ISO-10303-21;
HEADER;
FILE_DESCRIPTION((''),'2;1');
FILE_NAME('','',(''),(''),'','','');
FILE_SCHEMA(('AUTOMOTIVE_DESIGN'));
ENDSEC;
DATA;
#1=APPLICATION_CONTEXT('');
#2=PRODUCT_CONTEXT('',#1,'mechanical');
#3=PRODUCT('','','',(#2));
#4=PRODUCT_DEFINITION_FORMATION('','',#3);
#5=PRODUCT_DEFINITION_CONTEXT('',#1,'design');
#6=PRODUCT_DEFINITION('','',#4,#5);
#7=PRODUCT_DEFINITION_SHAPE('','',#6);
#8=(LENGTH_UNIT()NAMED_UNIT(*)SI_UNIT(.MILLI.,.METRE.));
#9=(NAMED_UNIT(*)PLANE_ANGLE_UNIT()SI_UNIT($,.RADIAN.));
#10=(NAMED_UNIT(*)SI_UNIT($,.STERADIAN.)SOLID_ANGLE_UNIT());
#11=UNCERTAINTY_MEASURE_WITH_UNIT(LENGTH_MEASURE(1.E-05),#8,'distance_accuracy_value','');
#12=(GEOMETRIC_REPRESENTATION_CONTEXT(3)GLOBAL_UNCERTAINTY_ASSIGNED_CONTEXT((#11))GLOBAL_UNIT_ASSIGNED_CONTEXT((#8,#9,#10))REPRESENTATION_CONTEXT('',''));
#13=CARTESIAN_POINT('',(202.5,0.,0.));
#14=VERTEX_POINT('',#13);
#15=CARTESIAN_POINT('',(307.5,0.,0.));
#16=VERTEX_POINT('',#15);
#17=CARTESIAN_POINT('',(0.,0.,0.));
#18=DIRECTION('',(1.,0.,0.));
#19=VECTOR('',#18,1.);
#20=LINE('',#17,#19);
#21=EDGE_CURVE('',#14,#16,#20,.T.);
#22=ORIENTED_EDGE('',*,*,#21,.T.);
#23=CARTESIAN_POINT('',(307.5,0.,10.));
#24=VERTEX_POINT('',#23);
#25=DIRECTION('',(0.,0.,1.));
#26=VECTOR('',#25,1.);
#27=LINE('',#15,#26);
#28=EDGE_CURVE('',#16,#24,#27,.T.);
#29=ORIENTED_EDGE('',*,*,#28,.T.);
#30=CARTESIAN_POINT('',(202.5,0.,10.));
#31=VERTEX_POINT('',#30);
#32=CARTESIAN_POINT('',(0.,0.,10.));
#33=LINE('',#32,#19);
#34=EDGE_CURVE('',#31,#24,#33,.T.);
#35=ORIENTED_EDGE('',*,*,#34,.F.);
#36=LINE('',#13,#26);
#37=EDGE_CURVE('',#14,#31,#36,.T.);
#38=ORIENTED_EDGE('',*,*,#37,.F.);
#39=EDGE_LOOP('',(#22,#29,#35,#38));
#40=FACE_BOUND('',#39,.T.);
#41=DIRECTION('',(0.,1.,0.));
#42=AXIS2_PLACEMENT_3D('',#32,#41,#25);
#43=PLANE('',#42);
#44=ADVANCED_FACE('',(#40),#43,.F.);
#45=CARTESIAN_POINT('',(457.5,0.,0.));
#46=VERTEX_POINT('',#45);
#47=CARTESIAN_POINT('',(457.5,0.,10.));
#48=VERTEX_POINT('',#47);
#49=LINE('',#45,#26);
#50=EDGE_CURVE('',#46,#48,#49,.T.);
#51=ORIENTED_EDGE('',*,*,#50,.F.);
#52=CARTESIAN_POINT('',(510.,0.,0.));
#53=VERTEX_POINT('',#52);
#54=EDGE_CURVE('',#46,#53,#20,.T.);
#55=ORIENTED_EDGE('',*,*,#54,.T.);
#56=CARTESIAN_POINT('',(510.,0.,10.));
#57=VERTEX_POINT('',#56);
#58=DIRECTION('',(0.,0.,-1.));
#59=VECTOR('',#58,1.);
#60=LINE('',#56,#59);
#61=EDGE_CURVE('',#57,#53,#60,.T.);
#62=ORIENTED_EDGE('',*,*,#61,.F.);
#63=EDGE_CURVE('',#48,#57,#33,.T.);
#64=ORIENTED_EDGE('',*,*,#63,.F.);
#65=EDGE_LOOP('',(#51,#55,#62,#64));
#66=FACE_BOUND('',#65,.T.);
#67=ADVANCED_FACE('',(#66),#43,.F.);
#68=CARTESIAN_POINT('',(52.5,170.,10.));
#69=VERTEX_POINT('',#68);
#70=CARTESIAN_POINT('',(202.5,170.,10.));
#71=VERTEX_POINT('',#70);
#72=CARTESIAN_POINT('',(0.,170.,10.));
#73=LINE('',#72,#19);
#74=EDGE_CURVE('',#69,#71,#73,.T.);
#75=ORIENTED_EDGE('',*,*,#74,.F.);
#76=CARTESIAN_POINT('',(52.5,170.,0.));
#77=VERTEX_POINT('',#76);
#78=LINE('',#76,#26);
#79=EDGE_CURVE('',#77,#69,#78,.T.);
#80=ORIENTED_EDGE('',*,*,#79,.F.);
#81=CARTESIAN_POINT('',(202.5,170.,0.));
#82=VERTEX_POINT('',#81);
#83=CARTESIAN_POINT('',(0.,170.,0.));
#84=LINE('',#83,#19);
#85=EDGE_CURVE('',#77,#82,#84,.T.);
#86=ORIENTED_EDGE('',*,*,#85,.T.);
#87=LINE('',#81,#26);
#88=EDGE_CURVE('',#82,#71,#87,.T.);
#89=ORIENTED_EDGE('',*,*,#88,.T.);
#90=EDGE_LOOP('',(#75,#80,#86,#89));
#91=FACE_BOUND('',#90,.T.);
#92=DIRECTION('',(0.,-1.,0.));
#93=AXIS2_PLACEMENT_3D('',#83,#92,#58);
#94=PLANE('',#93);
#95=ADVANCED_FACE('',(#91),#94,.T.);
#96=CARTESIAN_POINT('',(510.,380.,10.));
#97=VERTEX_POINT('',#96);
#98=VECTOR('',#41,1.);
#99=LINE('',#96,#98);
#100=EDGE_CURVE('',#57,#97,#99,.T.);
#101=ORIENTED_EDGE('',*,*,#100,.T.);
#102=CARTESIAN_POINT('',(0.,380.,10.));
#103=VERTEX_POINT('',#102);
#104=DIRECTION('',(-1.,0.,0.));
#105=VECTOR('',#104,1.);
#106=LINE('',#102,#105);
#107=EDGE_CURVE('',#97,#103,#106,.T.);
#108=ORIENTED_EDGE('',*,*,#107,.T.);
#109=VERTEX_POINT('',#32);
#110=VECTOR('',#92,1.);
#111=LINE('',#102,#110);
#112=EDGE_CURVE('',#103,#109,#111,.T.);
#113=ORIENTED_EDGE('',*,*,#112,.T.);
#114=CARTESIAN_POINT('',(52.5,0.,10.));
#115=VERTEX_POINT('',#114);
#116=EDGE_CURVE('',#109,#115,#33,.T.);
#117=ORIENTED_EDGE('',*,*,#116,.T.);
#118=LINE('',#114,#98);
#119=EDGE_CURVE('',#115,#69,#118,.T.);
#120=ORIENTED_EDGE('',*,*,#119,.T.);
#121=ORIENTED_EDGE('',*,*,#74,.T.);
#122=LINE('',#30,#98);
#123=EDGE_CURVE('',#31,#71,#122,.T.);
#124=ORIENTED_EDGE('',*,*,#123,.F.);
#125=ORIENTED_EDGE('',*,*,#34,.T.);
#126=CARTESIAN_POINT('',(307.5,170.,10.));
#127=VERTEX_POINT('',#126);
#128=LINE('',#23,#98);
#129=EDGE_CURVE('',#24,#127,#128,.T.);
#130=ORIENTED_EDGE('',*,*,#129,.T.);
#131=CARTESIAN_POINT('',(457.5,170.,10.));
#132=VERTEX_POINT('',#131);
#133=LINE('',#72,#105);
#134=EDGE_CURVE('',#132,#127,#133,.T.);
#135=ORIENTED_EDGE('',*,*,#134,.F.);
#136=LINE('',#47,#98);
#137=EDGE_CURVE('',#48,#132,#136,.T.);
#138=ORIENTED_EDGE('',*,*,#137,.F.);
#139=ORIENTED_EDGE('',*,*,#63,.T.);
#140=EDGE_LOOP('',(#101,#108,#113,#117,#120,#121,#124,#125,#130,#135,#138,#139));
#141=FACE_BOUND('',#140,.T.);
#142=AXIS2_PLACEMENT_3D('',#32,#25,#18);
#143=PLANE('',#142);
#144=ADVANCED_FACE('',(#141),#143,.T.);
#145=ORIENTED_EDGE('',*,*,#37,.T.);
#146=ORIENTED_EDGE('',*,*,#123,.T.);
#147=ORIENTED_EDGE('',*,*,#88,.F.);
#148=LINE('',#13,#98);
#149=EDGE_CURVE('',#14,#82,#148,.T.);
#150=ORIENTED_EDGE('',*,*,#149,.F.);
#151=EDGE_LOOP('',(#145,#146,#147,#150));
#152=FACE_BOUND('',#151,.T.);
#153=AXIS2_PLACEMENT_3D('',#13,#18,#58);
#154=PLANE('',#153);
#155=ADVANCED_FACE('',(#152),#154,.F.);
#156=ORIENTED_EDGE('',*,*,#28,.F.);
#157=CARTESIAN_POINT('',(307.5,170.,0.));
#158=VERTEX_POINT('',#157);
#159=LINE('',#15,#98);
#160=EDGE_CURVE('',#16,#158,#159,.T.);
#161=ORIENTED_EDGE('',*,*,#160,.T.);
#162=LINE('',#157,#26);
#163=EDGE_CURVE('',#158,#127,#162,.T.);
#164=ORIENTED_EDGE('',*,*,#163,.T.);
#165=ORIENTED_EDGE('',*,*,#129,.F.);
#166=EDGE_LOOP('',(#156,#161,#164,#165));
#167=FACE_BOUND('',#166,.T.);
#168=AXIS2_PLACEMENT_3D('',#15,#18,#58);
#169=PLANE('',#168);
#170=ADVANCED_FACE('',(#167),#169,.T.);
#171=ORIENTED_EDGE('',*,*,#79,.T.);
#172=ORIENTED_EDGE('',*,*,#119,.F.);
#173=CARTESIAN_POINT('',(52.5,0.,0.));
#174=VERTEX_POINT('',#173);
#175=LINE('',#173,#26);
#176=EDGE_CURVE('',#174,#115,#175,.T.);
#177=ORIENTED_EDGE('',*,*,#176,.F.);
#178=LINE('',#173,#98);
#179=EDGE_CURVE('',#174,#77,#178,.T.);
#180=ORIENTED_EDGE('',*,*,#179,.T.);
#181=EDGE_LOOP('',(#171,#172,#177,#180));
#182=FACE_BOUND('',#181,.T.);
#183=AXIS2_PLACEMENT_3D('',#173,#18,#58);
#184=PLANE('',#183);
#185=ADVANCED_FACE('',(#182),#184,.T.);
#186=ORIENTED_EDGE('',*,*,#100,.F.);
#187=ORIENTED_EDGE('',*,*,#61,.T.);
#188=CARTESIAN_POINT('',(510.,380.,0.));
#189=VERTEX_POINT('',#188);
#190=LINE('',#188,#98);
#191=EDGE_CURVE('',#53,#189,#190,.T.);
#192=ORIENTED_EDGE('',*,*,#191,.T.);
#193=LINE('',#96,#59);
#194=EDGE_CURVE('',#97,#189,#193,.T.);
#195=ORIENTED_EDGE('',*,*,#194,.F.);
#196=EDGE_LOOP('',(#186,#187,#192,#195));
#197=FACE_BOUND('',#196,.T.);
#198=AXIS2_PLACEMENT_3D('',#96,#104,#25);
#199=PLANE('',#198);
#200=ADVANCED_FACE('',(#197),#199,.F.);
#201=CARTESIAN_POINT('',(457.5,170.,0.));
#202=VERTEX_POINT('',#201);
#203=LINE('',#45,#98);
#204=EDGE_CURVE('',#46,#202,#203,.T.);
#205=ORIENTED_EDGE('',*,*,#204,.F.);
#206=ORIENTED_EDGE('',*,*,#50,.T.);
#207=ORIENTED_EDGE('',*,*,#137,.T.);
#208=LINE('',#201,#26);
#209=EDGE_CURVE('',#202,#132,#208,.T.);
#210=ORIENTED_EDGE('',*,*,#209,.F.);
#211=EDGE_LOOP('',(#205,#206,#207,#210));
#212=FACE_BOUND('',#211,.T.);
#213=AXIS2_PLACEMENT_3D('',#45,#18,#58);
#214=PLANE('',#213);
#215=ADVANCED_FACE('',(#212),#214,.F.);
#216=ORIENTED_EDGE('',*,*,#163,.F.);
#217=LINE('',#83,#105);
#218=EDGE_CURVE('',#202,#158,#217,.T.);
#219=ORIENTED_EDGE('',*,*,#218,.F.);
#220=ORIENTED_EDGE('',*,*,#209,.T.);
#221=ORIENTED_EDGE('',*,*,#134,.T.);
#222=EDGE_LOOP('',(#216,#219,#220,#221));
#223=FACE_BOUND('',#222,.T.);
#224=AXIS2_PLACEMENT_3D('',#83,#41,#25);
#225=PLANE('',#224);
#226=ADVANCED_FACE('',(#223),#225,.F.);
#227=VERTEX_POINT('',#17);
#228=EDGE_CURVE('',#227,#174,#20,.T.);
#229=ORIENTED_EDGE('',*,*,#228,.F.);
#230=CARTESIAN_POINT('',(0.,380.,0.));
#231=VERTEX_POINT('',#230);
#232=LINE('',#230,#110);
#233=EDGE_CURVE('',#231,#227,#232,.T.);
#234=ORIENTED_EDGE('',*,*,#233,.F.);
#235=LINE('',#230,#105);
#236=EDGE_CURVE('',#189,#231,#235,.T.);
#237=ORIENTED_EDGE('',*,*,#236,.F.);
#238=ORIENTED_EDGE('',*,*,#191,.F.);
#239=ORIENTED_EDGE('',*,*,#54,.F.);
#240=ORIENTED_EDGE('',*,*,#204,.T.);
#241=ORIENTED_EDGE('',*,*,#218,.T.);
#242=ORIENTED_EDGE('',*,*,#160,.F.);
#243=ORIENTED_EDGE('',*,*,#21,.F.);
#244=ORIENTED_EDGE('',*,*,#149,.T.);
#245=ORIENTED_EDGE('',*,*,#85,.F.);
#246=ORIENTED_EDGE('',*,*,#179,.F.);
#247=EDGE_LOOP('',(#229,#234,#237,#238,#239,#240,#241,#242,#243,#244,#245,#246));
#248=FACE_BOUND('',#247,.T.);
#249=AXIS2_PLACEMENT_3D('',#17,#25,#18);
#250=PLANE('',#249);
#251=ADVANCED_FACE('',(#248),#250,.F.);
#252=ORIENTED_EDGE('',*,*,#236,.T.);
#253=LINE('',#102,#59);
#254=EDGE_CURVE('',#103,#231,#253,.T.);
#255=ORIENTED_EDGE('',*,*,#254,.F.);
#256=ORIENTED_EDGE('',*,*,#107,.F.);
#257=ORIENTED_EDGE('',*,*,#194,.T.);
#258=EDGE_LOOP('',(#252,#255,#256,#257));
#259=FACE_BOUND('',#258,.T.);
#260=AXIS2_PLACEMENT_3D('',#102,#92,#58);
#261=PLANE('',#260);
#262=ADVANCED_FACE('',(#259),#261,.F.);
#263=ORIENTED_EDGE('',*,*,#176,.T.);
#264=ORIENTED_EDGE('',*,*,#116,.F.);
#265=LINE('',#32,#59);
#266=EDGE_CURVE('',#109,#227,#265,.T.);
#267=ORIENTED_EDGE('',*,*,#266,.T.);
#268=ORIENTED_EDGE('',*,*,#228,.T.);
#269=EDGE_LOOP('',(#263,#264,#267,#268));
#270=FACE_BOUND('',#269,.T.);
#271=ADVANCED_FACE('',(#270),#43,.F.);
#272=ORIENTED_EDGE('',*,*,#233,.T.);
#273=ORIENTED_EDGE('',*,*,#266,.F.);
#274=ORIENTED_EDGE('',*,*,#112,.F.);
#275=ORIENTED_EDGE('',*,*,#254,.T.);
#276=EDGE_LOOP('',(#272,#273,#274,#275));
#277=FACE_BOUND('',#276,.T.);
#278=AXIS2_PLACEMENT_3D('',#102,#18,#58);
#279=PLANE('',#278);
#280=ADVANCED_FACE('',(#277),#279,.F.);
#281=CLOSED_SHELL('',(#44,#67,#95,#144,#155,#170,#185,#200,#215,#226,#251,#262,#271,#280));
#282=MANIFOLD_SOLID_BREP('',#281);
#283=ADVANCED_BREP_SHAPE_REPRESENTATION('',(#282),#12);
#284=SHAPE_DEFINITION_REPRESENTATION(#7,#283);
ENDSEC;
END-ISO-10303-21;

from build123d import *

# Parameters (mm, degrees)
SKETCH1_W           = 510
SKETCH1_H           = 380
BOSS_EXTRUDE1_DEPTH = 10
SKETCH2_W           = 75
SKETCH2_H           = 170
CUT_EXTRUDE1_DEPTH  = 10


with BuildPart() as part:
    # Sketch1 → Boss-Extrude1 (new body)
    with BuildSketch(Plane.XY):
        with Locations((255, 190)):
            Rectangle(SKETCH1_W, SKETCH1_H)
    extrude(amount=BOSS_EXTRUDE1_DEPTH)

    # Sketch2 → Cut-Extrude1 (cut)
    with BuildSketch(Plane.XY.offset(10)):
        with Locations((90, 85)):
            Rectangle(SKETCH2_W, SKETCH2_H)
        with Locations((165, 85)):
            Rectangle(SKETCH2_W, SKETCH2_H)
        with Locations((345, 85)):
            Rectangle(SKETCH2_W, SKETCH2_H)
        with Locations((420, 85)):
            Rectangle(SKETCH2_W, SKETCH2_H)
    extrude(amount=-CUT_EXTRUDE1_DEPTH, mode=Mode.SUBTRACT)


solid = part.part
